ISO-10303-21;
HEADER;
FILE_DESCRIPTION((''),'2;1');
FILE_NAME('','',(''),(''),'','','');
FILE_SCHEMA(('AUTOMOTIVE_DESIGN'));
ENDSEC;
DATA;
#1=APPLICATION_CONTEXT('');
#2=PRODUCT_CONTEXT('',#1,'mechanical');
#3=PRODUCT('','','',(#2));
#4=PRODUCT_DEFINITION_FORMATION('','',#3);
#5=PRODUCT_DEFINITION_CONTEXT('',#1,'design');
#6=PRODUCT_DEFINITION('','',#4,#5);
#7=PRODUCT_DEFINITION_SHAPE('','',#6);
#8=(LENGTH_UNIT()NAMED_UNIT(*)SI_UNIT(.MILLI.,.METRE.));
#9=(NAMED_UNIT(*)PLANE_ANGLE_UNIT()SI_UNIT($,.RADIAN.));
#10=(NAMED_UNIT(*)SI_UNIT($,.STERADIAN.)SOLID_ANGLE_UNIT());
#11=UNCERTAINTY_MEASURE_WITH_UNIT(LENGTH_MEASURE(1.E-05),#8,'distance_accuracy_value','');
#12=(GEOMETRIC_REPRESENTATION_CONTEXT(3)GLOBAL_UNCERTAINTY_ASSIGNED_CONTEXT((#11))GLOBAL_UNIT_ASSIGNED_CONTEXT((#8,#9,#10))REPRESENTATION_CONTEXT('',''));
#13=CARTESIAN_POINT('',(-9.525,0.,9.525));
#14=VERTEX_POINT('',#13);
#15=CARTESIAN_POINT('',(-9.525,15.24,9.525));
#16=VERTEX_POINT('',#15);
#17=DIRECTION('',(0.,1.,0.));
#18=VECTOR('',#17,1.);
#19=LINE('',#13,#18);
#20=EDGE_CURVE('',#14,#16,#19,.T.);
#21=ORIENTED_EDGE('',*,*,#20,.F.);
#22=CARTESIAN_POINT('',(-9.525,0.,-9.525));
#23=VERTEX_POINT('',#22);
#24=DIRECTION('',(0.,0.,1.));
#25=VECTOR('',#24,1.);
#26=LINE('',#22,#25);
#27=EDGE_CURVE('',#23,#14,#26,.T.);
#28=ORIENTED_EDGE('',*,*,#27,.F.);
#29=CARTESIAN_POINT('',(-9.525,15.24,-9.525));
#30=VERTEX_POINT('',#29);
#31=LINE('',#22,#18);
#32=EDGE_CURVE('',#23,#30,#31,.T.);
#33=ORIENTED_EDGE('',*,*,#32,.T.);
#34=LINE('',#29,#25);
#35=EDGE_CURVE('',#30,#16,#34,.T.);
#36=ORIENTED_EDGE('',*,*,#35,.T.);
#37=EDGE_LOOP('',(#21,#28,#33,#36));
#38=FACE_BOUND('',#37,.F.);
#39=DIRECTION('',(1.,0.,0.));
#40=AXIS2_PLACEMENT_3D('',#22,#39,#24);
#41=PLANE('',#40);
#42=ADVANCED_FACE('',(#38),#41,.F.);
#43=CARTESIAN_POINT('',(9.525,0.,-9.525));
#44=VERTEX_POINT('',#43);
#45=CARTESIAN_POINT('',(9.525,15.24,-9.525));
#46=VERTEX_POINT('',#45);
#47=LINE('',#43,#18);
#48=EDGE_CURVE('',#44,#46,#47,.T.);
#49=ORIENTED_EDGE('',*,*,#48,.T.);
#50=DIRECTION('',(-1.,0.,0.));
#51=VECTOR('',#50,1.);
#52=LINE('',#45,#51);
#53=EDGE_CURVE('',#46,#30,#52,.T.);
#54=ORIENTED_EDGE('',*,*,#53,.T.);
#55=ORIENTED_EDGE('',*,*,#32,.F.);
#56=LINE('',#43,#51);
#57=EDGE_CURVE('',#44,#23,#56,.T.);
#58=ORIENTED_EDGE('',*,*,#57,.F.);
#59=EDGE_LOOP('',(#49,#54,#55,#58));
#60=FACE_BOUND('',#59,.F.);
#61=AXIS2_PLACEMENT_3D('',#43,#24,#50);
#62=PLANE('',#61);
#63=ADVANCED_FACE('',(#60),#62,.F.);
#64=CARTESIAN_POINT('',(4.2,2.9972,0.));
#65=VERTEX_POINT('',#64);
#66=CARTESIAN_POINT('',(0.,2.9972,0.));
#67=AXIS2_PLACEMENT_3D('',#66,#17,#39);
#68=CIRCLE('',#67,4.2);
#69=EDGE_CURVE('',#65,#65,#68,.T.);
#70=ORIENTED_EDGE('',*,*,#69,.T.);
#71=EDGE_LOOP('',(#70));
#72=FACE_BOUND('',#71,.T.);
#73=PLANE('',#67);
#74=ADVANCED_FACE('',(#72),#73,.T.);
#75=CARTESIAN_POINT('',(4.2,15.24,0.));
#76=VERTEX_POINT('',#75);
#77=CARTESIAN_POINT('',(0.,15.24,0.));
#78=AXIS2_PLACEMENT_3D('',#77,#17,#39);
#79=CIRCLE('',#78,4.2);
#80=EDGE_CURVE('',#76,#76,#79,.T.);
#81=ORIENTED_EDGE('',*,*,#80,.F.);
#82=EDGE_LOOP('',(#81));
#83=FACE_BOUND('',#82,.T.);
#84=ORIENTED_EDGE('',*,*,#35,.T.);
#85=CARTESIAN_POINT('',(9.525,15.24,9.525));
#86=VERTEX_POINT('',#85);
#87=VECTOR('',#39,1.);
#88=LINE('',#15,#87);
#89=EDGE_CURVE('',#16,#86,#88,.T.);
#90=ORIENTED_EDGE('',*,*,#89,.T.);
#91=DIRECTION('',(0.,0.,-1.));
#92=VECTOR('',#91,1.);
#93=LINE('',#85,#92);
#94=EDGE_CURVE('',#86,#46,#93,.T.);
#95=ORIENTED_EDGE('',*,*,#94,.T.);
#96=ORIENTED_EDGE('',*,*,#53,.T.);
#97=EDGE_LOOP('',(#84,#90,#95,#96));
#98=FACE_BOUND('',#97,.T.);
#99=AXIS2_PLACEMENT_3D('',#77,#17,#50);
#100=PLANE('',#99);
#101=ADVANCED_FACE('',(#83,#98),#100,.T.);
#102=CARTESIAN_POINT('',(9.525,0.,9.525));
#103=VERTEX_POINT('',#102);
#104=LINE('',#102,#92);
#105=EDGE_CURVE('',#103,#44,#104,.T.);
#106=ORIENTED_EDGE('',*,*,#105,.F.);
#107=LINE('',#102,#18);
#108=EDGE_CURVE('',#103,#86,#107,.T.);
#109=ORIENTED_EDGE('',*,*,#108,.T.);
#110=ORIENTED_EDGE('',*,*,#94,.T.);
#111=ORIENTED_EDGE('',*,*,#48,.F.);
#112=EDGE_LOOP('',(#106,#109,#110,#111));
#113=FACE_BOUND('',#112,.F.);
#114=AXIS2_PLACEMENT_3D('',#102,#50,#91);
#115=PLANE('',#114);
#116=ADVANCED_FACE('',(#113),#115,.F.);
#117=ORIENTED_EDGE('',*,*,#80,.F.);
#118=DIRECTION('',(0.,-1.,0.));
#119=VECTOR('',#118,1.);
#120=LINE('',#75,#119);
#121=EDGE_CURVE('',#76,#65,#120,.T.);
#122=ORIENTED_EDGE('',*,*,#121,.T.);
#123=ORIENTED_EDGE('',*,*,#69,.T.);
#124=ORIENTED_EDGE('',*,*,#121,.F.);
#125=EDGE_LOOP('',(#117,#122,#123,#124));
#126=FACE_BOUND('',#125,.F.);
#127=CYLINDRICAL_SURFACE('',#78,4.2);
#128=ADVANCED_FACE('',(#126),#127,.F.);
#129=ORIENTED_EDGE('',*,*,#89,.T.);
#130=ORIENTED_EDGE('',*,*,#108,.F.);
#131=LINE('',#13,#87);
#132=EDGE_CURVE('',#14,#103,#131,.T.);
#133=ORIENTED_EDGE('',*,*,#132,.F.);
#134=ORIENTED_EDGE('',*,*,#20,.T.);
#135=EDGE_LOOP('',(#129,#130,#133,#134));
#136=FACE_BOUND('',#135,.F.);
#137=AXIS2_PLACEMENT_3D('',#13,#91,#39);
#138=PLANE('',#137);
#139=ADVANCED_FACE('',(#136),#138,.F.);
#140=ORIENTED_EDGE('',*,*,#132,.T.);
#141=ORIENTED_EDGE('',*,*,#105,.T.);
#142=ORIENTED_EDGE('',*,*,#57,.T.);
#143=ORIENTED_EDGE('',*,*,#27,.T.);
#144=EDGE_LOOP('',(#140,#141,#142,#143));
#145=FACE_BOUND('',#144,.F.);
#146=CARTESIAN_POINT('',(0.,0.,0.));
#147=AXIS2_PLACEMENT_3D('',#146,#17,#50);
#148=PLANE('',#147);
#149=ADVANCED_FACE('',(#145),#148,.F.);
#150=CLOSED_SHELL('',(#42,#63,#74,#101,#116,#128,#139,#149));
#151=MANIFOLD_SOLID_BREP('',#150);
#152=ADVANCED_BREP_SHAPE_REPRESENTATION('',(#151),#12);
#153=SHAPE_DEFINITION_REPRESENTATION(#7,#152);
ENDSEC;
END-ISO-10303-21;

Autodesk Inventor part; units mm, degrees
ref_plane "YZ Plane" through (0, 0, 0) normal (1, 0, 0) x (0, 1, 0)
ref_plane "XZ Plane" through (0, 0, 0) normal (0, 1, 0) x (-1, 0, 0)
ref_plane "XY Plane" through (0, 0, 0) normal (0, 0, 1) x (1, 0, 0)
sketch "Sketch1" plane through (0, 0, 0) normal (0, 1, 0) x (-1, 0, 0)
  line L0 (9.525, 9.525) -> (-9.525, 9.525)
  line L1 (-9.525, 9.525) -> (-9.525, -9.525)
  line L2 (-9.525, -9.525) -> (9.525, -9.525)
  line L3 (9.525, -9.525) -> (9.525, 9.525)
  line L4 (9.525, 9.525) -> (-9.525, -9.525) construction
  line L5 (-9.525, 9.525) -> (9.525, -9.525) construction
  circle A0 centre (0, 0) radius 4 construction
  dimension "d0" = 19.05
  dimension "d1" = 19.05
  dimension "d2" = 8
extrude "Extrusion1" add sketch "Sketch1" along normal blind 15.24
sketch "Sketch2" plane through (0, 15.24, 0) normal (0, 1, 0) x (1, 0, 0)
  circle A0 centre (0, 0) radius 4.2
  dimension "d5" = 8.4
extrude "Extrusion2" cut sketch "Sketch2" against normal blind 12.2428
properties part number "Shaft tool for motor"
